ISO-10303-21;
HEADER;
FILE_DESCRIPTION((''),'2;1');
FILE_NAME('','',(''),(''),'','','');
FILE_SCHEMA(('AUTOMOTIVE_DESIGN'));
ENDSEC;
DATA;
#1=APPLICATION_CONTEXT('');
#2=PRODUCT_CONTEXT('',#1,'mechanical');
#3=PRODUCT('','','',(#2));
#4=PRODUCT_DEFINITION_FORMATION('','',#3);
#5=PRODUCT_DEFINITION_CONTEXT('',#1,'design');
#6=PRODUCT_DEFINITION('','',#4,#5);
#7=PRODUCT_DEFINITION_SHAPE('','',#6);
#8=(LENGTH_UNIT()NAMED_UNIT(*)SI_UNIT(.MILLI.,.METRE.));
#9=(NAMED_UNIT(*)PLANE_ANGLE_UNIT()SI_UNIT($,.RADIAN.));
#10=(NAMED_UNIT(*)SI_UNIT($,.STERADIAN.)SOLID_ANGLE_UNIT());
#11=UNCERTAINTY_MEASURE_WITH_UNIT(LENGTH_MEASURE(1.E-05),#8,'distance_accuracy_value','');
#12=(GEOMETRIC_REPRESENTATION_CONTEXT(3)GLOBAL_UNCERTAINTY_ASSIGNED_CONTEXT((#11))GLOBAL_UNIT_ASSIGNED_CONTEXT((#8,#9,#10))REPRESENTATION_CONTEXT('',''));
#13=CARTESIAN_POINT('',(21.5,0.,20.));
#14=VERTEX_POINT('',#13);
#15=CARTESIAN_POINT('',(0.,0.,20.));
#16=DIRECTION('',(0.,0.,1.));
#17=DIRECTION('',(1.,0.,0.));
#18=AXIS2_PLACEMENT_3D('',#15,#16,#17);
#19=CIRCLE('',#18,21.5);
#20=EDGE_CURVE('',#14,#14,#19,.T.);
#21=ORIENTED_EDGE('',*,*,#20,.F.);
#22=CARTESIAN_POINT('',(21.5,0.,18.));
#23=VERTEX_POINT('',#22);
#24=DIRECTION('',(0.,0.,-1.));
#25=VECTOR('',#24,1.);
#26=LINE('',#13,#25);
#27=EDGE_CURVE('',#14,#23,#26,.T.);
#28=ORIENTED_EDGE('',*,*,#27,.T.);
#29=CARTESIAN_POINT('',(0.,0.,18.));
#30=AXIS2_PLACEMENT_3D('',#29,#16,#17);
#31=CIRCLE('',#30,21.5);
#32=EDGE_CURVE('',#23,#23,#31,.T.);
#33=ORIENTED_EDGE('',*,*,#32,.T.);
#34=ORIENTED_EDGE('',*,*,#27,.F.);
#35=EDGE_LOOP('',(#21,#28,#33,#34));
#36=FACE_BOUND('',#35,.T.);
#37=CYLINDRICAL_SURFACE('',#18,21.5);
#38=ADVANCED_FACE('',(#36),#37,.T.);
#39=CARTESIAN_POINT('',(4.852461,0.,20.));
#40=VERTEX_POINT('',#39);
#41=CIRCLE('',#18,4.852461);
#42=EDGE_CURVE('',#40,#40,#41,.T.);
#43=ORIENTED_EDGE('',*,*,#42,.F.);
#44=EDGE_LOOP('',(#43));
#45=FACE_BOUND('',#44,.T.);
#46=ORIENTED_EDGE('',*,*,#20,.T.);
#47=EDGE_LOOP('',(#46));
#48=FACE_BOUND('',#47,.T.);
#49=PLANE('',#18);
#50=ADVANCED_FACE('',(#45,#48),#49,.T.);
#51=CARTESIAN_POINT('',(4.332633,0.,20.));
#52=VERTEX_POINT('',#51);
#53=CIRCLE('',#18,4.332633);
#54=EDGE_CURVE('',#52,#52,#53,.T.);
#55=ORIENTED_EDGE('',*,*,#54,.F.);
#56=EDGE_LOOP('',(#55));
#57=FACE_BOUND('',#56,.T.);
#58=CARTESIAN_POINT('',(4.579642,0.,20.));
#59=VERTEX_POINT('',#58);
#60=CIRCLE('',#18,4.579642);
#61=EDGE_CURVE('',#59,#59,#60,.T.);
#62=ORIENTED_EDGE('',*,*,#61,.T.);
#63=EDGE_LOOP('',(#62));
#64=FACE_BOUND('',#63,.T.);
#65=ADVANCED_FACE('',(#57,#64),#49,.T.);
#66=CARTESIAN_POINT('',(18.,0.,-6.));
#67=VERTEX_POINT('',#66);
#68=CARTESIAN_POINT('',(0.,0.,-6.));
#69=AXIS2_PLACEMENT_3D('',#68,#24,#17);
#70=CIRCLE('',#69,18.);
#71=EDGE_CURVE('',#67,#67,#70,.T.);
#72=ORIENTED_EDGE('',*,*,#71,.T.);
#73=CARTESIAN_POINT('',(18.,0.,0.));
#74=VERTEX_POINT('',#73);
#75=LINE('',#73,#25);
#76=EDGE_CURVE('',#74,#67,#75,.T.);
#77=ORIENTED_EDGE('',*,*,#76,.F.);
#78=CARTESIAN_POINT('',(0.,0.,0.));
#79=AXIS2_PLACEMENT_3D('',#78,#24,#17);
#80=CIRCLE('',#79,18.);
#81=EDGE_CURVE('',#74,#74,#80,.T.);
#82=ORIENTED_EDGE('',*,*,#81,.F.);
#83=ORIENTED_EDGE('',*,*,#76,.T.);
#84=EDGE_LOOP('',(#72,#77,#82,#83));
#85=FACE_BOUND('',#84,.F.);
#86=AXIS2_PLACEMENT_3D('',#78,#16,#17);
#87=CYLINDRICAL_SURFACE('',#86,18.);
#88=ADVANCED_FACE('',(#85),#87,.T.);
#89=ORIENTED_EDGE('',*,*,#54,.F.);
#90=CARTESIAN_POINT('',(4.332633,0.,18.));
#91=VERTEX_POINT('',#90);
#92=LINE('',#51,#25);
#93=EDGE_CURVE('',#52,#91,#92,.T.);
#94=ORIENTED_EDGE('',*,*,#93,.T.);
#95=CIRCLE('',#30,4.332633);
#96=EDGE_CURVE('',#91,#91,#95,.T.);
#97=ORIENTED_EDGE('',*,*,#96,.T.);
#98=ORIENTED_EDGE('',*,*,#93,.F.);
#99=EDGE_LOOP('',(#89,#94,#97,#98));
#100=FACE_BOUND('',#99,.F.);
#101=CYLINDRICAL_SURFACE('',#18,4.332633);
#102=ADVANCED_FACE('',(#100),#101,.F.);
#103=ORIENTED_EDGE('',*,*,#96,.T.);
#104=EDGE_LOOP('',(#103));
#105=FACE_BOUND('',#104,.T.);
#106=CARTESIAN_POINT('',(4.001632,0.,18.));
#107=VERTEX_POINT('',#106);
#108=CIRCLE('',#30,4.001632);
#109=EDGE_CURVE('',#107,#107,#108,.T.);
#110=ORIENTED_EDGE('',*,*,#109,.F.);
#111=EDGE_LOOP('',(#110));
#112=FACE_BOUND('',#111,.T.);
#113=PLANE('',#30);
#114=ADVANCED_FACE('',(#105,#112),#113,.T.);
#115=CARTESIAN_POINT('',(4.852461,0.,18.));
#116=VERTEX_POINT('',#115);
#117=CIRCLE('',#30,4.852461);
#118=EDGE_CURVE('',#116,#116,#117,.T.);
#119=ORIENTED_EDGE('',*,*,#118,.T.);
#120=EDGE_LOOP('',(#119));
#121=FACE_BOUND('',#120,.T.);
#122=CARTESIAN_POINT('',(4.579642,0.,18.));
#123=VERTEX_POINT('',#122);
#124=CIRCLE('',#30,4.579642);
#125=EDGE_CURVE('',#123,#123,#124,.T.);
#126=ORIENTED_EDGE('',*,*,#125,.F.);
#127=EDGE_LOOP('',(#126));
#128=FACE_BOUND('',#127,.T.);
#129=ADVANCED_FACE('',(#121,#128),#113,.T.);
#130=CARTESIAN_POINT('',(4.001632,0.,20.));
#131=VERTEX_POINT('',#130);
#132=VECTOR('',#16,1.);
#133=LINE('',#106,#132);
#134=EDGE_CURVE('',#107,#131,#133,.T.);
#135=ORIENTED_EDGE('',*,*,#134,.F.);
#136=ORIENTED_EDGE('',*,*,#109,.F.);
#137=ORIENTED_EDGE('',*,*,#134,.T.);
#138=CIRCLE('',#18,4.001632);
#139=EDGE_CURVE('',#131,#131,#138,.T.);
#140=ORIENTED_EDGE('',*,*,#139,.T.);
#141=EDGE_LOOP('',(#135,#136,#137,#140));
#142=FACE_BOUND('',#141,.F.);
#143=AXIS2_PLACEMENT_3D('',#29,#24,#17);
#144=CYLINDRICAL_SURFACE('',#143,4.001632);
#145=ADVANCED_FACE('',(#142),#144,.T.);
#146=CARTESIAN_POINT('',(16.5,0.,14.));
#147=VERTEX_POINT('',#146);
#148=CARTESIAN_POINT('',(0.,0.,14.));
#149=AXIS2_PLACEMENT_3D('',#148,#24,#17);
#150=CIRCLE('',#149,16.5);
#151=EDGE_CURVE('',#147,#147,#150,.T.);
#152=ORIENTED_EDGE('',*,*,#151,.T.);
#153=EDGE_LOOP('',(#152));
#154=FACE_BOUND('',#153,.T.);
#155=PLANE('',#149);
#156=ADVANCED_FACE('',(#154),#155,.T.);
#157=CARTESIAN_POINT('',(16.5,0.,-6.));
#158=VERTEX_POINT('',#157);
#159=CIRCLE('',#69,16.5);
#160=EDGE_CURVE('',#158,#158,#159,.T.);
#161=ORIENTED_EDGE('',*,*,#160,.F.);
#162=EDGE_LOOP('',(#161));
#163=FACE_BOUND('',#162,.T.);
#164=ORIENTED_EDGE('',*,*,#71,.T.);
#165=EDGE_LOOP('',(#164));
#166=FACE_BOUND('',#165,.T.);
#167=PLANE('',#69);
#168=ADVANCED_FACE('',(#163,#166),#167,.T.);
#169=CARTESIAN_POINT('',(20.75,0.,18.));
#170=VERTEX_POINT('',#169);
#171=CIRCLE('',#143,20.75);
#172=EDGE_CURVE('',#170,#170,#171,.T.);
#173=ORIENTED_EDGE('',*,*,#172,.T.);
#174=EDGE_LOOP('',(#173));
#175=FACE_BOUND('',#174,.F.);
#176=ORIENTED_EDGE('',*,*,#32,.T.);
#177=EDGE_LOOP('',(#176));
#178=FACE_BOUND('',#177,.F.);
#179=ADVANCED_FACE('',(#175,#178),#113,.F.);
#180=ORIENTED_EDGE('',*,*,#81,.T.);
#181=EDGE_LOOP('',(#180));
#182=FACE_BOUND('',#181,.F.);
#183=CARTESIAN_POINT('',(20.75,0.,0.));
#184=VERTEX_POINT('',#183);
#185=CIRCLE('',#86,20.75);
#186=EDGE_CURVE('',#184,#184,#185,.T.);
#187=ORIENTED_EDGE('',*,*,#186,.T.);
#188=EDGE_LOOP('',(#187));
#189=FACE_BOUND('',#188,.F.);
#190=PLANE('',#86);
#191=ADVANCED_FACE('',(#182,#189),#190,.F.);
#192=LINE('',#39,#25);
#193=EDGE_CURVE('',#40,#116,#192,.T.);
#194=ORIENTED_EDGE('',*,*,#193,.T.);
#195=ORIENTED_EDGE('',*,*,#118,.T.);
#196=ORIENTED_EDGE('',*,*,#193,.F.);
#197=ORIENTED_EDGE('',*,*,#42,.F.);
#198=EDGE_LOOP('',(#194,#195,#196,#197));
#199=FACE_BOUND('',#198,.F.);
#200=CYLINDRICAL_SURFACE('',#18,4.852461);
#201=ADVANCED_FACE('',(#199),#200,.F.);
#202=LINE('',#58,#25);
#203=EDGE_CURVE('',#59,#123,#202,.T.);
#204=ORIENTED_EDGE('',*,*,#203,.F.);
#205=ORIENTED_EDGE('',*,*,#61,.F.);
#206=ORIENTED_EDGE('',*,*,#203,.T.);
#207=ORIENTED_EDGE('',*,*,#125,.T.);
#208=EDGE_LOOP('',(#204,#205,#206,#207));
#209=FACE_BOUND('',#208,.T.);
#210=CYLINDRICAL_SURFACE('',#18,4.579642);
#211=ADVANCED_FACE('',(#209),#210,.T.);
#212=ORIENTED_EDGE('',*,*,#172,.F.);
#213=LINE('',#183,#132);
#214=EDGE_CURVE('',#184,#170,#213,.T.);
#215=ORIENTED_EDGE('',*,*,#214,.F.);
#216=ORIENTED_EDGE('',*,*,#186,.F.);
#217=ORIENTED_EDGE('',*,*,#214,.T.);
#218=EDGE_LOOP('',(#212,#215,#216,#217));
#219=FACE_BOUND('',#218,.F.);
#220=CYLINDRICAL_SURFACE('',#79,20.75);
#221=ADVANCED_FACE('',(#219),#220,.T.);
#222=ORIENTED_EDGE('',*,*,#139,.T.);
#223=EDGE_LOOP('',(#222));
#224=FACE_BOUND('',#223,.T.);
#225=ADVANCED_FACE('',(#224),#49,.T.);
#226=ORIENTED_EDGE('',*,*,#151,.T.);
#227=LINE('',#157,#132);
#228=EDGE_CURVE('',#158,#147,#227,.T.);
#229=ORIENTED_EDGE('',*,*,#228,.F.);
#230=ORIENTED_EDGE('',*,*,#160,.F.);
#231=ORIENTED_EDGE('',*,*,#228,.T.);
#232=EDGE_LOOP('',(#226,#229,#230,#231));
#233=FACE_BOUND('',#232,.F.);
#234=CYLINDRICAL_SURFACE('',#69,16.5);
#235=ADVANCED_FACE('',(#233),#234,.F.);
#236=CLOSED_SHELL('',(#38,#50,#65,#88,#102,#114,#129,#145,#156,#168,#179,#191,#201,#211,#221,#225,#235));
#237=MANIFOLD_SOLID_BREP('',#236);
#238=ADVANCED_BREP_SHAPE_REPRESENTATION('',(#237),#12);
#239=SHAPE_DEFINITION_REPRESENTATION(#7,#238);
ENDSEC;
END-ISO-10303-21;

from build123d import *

# Parameters (mm, degrees)
F0_R      = 20.75
F1_DEPTH  = 20
F2_R      = 18
F3_DEPTH  = 6
F4_R      = 21.5
F5_DEPTH  = 2
F6_R      = 4.332633
F7_DEPTH  = 2
F8_R      = 16.5
F9_DEPTH  = 20
F10_R     = 4.852461
F10_R_2   = 4.579642
F11_DEPTH = 2
F12_R     = 4.001632
F13_DEPTH = 2


with BuildPart() as f1:
    # F0 (on Top) → F1 (new body)
    with BuildSketch(Plane.XY):
        Circle(F0_R)
    extrude(amount=F1_DEPTH)

    # F2 (on face) → F3 (join)
    with BuildSketch(Plane(origin=(0, 0, 0), x_dir=(1, 0, 0), z_dir=(0, 0, -1))):
        Circle(F2_R)
    extrude(amount=F3_DEPTH)

    # F4 (on face) → F5 (join)
    with BuildSketch(Plane.XY.offset(20)):
        Circle(F4_R)
    extrude(amount=-F5_DEPTH)

    # F6 (on face) → F7 (cut)
    with BuildSketch(Plane.XY.offset(20)):
        Circle(F6_R)
    extrude(amount=-F7_DEPTH, mode=Mode.SUBTRACT)

    # F8 (on face) → F9 (cut)
    with BuildSketch(Plane(origin=(0, 0, -6), x_dir=(1, 0, 0), z_dir=(0, 0, -1))):
        Circle(F8_R)
    extrude(amount=-F9_DEPTH, mode=Mode.SUBTRACT)

    # F10 (on face) → F11 (cut)
    with BuildSketch(Plane.XY.offset(20)):
        Circle(F10_R)
        Circle(F10_R_2, mode=Mode.SUBTRACT)
    extrude(amount=-F11_DEPTH, mode=Mode.SUBTRACT)

    # F12 (on face) → F13 (join)
    with BuildSketch(Plane.XY.offset(18)):
        Circle(F12_R)
    extrude(amount=F13_DEPTH)


solid = f1.part
